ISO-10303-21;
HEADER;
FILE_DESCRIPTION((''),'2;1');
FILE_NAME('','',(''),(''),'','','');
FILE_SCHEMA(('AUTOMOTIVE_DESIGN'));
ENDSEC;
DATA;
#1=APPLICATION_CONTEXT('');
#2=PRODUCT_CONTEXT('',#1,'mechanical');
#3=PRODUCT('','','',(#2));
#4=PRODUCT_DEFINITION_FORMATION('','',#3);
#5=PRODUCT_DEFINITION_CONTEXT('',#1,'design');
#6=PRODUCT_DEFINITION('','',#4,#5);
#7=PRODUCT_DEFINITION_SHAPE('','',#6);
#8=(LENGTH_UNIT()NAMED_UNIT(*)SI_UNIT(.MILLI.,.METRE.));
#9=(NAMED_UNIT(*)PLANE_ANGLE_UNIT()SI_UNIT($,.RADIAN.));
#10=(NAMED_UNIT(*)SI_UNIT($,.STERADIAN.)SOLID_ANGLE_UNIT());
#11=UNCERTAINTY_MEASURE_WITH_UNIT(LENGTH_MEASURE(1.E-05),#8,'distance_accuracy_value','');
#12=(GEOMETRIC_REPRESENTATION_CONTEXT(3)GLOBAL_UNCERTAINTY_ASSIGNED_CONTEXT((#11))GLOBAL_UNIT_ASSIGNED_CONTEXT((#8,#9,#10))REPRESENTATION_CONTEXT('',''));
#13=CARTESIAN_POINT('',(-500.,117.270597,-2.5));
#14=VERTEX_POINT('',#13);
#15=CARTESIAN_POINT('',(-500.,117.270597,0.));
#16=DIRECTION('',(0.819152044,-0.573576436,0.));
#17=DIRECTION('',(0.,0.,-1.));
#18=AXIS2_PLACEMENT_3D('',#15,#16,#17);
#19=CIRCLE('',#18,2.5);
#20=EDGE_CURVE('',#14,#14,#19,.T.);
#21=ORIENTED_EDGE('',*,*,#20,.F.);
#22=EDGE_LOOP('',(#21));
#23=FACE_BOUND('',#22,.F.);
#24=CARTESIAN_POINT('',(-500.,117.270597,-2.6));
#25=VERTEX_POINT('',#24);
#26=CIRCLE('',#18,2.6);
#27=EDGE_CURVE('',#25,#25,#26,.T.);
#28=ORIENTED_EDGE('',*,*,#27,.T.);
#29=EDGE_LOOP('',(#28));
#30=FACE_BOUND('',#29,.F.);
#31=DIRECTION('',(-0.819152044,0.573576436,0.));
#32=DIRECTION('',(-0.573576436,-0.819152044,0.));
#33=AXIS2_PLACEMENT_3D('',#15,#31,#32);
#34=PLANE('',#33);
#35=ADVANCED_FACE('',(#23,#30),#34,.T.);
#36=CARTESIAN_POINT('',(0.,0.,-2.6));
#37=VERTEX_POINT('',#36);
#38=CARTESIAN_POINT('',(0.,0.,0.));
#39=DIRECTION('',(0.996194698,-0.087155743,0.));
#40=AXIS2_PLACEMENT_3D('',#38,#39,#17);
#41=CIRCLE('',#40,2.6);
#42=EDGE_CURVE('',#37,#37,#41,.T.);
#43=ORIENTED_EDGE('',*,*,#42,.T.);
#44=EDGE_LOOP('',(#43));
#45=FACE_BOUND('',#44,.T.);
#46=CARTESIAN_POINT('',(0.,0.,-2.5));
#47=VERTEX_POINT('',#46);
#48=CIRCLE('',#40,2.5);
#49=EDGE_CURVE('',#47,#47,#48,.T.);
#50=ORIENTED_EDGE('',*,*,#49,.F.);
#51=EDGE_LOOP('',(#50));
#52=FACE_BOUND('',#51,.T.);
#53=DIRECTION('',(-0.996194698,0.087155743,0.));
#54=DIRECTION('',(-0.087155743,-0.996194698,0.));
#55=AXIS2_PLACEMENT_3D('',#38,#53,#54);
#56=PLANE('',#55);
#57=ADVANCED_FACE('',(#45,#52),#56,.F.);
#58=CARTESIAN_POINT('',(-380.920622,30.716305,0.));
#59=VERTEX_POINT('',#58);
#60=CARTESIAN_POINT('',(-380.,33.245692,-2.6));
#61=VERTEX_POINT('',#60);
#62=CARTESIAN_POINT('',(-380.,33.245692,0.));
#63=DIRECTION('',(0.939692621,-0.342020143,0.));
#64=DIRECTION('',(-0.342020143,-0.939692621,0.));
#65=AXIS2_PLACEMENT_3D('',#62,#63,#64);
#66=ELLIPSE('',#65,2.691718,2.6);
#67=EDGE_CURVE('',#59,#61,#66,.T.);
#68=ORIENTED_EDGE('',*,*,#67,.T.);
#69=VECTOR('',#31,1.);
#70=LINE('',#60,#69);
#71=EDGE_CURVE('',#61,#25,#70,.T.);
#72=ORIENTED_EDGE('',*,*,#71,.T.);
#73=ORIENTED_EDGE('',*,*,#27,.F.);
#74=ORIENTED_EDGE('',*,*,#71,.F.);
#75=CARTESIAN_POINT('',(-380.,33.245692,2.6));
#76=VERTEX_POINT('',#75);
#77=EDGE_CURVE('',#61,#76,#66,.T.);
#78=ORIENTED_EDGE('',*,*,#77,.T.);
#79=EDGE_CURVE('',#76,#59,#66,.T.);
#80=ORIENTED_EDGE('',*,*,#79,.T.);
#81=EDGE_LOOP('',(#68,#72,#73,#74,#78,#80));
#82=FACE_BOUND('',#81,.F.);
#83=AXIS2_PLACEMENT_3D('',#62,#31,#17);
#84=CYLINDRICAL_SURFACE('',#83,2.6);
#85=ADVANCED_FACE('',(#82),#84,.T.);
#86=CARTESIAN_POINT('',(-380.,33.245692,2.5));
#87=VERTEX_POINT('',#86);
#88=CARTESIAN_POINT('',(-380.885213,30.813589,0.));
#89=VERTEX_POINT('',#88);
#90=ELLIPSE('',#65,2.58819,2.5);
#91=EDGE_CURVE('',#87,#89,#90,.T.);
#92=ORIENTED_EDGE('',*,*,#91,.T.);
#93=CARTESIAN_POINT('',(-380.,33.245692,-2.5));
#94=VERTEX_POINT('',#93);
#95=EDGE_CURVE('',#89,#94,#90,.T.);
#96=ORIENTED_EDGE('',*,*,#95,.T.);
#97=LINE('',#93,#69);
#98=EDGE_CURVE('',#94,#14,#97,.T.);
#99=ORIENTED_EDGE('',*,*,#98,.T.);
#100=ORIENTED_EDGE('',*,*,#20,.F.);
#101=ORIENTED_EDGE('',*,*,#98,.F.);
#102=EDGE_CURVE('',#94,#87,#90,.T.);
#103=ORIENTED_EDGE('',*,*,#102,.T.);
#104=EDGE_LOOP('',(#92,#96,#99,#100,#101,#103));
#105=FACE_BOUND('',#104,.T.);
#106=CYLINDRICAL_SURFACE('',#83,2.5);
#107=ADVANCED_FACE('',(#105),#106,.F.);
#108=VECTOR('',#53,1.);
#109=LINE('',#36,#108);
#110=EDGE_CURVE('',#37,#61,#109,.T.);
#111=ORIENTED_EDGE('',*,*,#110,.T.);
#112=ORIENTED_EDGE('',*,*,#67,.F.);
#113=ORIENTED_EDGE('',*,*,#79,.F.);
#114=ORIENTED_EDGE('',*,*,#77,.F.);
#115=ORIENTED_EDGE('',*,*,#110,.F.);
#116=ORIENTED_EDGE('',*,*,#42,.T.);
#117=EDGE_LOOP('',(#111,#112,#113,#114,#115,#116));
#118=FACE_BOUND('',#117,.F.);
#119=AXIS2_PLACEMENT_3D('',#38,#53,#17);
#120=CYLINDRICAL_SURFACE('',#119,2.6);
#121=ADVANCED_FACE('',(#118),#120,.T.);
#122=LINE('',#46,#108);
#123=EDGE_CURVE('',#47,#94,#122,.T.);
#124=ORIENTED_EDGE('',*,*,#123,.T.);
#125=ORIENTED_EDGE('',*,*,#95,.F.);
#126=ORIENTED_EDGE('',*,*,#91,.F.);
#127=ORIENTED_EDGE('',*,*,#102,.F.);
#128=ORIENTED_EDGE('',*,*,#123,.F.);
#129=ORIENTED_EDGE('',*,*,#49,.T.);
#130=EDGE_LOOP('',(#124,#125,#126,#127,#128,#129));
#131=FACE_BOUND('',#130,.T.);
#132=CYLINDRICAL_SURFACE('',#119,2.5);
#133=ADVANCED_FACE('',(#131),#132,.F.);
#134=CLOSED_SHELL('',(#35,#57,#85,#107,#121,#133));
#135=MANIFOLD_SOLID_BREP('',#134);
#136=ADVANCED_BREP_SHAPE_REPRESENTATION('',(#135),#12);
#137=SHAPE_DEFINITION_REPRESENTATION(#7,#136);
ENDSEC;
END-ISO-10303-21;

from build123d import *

# Parameters (mm, degrees)
SKETCH3_R   = 2.6
SKETCH3_R_2 = 2.5


with BuildPart() as part:
    # Sweep-Thin1: sweep along a path in Sketch2
    with BuildLine(Plane.XY) as sweep_thin1_path:
        Line((0, 0), (380, 33.24569214))
        Line((380, 33.24569214), (500, 117.270596725))
    # Sketch3 → Sweep-Thin1 (sweep)
    with BuildSketch(Plane(origin=(0, 0, 0), x_dir=(0, 0, -1), z_dir=(0.996194698, 0.087155743, 0))):
        Circle(SKETCH3_R)
        Circle(SKETCH3_R_2, mode=Mode.SUBTRACT)
    sweep(path=sweep_thin1_path.line, transition=Transition.RIGHT)


with BuildPart() as body_2:
    # Mirror1: mirrored copy
    add(part.part.mirror(Plane(origin=(0, 0, 0), x_dir=(0, 0, 1), z_dir=(1, 0, 0))))


solid = body_2.part
